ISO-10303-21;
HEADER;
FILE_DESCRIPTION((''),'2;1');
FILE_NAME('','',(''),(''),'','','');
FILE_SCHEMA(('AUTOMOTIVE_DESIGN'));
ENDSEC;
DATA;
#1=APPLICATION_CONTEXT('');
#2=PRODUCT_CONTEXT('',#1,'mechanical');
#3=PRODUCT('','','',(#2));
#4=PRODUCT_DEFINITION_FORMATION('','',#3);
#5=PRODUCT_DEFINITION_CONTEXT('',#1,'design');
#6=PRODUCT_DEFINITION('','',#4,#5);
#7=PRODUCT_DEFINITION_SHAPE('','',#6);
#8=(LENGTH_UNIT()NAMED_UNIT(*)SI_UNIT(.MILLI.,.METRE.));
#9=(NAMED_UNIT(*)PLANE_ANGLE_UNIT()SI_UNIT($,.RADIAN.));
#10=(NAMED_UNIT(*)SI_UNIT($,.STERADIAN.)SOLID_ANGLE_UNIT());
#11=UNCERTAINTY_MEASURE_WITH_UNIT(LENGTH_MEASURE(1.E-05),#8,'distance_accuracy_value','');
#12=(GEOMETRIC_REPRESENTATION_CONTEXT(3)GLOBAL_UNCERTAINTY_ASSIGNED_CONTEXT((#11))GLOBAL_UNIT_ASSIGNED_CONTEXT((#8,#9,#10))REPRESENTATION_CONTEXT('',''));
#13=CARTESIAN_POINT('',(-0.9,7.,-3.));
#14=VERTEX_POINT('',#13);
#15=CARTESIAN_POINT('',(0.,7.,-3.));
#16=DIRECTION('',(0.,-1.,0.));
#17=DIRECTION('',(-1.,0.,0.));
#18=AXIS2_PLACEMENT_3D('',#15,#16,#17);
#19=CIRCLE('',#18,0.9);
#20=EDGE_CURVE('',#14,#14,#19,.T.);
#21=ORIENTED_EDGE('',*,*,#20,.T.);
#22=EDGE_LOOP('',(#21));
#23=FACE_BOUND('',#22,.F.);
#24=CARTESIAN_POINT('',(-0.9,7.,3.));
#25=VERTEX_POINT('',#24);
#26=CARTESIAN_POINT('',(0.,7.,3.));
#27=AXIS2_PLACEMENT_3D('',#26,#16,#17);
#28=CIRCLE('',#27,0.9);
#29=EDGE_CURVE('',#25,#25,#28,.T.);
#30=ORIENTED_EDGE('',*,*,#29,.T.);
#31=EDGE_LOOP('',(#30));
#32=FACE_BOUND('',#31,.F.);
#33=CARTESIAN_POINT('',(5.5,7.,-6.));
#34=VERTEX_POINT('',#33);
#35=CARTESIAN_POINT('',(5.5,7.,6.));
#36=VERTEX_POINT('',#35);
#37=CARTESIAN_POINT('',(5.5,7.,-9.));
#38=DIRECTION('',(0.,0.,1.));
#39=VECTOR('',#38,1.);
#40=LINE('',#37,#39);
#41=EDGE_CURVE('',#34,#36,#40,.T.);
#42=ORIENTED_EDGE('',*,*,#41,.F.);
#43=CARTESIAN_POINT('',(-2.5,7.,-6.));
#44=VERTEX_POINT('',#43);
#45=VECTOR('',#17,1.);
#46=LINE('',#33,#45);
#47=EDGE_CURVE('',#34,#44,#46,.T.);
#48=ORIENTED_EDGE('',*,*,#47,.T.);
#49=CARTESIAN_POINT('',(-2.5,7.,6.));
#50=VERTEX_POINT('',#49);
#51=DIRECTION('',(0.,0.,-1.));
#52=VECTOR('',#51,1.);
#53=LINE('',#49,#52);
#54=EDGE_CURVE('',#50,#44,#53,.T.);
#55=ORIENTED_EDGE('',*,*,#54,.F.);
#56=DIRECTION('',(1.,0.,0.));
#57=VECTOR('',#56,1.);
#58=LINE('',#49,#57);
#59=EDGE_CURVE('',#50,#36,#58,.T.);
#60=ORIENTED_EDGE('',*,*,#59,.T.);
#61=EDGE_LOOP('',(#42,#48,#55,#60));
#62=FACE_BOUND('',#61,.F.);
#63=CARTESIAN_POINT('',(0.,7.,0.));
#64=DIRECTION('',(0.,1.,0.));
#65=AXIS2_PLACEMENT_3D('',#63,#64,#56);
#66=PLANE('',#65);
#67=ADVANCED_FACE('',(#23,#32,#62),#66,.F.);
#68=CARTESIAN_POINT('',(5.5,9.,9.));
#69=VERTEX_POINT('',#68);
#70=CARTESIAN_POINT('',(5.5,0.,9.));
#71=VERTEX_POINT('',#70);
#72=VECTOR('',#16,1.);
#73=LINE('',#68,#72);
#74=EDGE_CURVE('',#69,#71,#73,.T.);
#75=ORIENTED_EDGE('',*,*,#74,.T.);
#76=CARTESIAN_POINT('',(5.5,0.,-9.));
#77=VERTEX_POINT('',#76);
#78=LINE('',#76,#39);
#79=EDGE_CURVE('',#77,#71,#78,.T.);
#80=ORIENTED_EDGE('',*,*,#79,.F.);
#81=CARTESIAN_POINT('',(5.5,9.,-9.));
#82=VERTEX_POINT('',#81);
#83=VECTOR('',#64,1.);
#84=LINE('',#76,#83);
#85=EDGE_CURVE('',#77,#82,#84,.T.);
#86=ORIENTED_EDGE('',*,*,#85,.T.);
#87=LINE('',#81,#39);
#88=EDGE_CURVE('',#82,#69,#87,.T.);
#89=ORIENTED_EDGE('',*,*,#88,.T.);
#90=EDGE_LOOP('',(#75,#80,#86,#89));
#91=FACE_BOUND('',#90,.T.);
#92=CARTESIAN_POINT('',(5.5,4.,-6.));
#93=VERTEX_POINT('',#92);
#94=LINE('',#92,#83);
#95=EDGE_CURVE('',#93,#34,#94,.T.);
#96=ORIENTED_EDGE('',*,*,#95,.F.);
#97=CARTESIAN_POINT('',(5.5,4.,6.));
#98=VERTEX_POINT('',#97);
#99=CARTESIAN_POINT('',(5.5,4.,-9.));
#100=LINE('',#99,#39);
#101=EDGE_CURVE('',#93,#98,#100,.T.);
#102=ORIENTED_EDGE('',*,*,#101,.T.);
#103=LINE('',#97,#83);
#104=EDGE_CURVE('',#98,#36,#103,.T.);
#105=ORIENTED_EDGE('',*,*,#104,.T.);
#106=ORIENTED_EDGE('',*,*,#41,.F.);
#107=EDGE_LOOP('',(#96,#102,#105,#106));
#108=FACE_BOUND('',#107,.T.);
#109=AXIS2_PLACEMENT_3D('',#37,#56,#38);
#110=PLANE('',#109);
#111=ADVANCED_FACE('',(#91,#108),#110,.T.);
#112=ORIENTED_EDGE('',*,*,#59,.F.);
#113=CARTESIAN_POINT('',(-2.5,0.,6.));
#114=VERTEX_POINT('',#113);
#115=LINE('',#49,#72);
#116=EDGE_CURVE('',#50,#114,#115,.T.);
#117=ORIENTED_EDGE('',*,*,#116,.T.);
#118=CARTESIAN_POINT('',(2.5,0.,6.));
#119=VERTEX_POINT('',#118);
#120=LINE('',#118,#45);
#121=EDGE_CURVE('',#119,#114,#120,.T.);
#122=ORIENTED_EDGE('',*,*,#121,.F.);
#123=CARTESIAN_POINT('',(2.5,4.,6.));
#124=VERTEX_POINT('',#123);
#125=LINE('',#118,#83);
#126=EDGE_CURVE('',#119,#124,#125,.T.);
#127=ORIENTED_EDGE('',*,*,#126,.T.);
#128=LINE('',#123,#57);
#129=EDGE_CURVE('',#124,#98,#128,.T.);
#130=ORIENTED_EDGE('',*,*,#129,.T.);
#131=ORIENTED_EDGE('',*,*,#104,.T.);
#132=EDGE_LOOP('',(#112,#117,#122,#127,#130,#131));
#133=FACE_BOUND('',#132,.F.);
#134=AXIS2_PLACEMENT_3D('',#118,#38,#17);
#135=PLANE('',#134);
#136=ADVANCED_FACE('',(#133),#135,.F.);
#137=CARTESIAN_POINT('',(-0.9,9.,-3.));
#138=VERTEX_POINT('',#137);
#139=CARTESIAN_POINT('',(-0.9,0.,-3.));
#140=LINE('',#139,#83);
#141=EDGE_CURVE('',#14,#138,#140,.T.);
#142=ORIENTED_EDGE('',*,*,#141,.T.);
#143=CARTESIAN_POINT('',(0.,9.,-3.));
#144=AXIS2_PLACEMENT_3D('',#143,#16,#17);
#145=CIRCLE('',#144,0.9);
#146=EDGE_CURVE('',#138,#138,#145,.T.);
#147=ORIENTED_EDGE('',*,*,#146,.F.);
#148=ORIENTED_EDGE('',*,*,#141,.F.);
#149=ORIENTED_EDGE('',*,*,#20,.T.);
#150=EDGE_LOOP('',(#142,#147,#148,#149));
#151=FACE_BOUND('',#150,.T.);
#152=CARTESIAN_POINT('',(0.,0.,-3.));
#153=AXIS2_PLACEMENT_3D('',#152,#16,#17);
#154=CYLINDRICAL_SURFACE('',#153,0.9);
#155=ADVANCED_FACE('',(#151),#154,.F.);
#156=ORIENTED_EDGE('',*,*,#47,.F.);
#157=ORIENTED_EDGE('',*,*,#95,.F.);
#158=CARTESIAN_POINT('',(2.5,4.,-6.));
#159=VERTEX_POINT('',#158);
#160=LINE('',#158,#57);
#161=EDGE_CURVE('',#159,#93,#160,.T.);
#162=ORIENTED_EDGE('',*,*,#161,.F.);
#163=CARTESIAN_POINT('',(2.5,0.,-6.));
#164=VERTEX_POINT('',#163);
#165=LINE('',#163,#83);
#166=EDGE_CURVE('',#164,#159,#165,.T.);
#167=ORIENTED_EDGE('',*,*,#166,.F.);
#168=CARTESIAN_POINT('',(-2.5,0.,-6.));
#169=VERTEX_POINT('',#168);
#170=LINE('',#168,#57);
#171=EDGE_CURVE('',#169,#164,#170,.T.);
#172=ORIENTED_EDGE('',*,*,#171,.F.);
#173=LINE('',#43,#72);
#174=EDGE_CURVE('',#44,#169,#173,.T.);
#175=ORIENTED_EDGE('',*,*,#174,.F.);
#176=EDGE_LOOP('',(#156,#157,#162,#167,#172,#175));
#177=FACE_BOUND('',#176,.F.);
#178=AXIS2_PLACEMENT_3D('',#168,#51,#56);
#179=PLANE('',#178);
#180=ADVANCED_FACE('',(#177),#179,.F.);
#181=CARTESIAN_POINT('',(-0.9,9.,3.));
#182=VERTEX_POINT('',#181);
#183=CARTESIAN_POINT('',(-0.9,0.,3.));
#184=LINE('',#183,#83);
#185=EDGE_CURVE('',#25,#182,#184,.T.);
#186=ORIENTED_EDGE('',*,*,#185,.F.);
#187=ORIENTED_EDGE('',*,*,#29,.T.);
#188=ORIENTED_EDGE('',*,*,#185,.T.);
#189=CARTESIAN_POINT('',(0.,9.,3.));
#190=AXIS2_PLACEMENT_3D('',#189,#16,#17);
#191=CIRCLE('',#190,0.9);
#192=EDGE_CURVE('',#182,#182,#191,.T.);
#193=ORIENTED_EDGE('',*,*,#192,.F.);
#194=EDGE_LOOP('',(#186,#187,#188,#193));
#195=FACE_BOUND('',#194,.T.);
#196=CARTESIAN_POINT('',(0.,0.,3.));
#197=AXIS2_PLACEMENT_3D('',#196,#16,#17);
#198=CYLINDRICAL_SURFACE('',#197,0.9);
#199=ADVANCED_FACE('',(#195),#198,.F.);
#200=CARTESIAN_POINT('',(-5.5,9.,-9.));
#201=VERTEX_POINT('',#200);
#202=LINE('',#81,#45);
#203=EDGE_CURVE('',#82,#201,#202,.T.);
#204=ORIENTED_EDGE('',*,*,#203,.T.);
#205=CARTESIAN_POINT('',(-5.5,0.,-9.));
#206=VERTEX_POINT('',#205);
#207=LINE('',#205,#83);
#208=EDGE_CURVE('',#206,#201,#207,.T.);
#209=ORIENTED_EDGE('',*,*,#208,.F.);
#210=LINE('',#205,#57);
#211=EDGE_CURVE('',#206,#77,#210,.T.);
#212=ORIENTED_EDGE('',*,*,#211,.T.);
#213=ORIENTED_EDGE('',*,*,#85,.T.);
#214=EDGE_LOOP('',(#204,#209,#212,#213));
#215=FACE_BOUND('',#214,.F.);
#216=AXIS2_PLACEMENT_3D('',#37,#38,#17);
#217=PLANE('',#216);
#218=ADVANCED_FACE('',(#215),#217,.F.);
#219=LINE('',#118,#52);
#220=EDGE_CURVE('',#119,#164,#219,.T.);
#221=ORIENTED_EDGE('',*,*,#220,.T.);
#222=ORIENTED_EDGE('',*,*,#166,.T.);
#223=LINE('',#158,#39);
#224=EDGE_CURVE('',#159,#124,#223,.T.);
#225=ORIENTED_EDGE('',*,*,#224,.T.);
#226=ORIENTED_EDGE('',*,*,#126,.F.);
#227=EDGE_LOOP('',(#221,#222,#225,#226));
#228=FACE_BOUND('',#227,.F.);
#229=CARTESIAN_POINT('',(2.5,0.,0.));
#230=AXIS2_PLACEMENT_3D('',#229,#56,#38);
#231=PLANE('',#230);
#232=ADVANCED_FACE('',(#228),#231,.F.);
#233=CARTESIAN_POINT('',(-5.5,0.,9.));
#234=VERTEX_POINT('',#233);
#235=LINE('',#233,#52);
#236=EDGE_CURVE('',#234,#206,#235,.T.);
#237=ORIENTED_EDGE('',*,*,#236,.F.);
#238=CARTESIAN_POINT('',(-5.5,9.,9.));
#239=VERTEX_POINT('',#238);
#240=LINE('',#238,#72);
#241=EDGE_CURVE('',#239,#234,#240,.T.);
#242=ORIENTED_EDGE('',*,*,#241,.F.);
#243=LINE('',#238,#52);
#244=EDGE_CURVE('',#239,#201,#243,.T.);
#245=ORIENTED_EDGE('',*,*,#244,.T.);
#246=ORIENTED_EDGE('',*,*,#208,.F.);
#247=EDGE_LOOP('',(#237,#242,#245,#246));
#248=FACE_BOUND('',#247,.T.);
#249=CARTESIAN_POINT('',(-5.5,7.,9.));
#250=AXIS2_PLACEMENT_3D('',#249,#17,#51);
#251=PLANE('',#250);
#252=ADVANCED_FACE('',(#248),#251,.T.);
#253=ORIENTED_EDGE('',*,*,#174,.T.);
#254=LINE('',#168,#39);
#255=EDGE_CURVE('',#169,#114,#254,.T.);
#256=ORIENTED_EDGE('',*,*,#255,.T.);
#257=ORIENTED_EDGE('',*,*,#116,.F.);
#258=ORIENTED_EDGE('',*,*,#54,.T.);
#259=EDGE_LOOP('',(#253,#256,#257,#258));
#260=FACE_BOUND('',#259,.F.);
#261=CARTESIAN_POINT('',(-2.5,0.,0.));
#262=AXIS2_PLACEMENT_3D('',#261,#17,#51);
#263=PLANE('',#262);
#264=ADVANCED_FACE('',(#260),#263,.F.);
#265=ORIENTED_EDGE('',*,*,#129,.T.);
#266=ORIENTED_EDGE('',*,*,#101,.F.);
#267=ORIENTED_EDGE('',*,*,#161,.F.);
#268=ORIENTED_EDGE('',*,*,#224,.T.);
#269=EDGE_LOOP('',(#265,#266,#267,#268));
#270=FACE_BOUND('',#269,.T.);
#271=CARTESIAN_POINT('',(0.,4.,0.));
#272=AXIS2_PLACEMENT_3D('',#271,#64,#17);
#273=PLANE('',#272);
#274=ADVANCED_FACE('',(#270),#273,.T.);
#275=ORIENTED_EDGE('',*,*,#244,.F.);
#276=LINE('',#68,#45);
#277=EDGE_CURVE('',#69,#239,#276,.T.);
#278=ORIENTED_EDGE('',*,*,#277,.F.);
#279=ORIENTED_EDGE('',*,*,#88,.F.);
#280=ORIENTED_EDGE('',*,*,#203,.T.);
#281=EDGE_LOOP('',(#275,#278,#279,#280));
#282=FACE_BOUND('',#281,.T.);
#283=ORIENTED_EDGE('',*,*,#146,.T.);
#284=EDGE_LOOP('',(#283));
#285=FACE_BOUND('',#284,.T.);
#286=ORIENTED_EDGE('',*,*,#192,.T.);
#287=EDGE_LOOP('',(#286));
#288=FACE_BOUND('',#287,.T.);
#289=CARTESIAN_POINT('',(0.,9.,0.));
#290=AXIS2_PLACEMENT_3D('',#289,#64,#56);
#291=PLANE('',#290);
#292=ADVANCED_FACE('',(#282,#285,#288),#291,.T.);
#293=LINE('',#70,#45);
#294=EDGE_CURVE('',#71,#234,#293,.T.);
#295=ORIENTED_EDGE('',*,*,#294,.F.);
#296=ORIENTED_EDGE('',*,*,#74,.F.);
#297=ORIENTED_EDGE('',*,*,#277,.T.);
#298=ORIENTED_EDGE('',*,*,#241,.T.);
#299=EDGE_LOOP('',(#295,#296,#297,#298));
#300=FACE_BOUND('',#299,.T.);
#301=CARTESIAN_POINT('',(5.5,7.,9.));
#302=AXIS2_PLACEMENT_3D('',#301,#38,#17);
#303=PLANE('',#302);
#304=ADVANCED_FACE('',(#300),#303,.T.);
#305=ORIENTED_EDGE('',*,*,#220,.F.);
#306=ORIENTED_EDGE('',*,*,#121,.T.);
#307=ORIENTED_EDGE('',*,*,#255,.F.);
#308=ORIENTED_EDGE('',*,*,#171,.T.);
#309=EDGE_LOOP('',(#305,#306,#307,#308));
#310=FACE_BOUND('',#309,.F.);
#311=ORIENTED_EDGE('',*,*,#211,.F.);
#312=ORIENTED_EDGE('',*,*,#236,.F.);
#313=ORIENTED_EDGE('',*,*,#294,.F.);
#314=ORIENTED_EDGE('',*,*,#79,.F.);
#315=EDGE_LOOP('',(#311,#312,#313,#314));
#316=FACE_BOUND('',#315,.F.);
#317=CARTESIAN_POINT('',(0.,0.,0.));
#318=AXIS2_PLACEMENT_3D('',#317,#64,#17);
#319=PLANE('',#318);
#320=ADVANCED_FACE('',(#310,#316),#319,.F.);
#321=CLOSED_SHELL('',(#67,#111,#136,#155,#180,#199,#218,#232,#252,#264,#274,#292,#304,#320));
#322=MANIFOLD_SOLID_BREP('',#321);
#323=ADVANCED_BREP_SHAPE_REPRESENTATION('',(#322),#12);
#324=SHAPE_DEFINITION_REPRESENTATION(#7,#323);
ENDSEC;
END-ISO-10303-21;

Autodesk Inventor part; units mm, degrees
ref_plane "YZ Plane" through (0, 0, 0) normal (1, 0, 0) x (0, 1, 0)
ref_plane "XZ Plane" through (0, 0, 0) normal (0, 1, 0) x (-1, 0, 0)
ref_plane "XY Plane" through (0, 0, 0) normal (0, 0, 1) x (1, 0, 0)
sketch "Sketch2" plane through (0, 0, 0) normal (0, 1, 0) x (-1, 0, 0)
  line L0 (-2.5, 6) -> (2.5, 6)
  line L1 (2.5, 6) -> (2.5, -6)
  line L2 (2.5, -6) -> (-2.5, -6)
  line L3 (-2.5, -6) -> (-2.5, 6)
  line L4 (-2.5, 6) -> (2.5, -6) construction
  line L5 (2.5, 6) -> (-2.5, -6) construction
  line L6 (-5.5, 9) -> (5.5, 9)
  line L7 (5.5, 9) -> (5.5, -9)
  line L8 (5.5, -9) -> (-5.5, -9)
  line L9 (-5.5, -9) -> (-5.5, 9)
  line L10 (-5.5, 9) -> (5.5, -9) construction
  line L11 (5.5, 9) -> (-5.5, -9) construction
  line L12 (-2.5, 0) -> (2.5, 0)
  circle A0 centre (0, -3) radius 0.9
  circle A1 centre (0, 3) radius 0.9
  point P0 (0, 0)
  dimension "d2" = 5
  dimension "d3" = 12
  dimension "d4" = 11
  dimension "d5" = 18
  dimension "d13" = 1.8
  dimension "d14" = 2.5
  dimension "d15" = 3
extrude "Extrusion2" add sketch "Sketch2" along normal blind 4 contours L6 L7 L8 L9
sketch "Sketch3" plane through (0, 4, 0) normal (0, 1, 0) x (1, 0, 0)
  line L0 (-2.5, 6) -> (2.5, 6) projected
  line L1 (2.5, -6) -> (-2.5, -6)
  line L2 (-2.5, -6) -> (-2.5, 6)
  line L3 (-2.5, 6) -> (2.5, 6)
  line L4 (2.5, 6) -> (2.5, -6)
  line L5 (2.5, -6) -> (-2.5, 6) construction
  line L6 (-2.5, -6) -> (2.5, 6) construction
  line L7 (5.5, 9) -> (-5.5, 9)
  line L8 (-5.5, 9) -> (-5.5, -9)
  line L9 (-5.5, -9) -> (5.5, -9)
  line L10 (5.5, -9) -> (5.5, 9)
  line L11 (5.5, 9) -> (-5.5, -9) construction
  line L12 (-5.5, 9) -> (5.5, -9) construction
  line L13 (2.5, -6) -> (5.5, -6)
  line L14 (2.5, 6) -> (5.5, 6)
  point P0 (0, 0)
extrude "Extrusion3" add sketch "Sketch3" along normal blind 3 contours L2 L1 L13 L10 L9 L8 L7 L14 L0
sketch "Sketch4" plane through (0, 7, 0) normal (0, 1, 0) x (1, 0, 0)
  line L0 (5.5, 9) -> (-5.5, 9) projected
  line L1 (5.5, -9) -> (-5.5, -9)
  line L2 (-5.5, -9) -> (-5.5, 9)
  line L3 (-5.5, 9) -> (5.5, 9)
  line L4 (5.5, 9) -> (5.5, -9)
  line L5 (5.5, -9) -> (-5.5, 9) construction
  line L6 (-5.5, -9) -> (5.5, 9) construction
  point P0 (0, 0)
extrude "Extrusion4" add sketch "Sketch4" along normal blind 2
extrude "Extrusion5" cut sketch "Sketch2" along normal through all contours A0 | A1
properties part number "pokus"
